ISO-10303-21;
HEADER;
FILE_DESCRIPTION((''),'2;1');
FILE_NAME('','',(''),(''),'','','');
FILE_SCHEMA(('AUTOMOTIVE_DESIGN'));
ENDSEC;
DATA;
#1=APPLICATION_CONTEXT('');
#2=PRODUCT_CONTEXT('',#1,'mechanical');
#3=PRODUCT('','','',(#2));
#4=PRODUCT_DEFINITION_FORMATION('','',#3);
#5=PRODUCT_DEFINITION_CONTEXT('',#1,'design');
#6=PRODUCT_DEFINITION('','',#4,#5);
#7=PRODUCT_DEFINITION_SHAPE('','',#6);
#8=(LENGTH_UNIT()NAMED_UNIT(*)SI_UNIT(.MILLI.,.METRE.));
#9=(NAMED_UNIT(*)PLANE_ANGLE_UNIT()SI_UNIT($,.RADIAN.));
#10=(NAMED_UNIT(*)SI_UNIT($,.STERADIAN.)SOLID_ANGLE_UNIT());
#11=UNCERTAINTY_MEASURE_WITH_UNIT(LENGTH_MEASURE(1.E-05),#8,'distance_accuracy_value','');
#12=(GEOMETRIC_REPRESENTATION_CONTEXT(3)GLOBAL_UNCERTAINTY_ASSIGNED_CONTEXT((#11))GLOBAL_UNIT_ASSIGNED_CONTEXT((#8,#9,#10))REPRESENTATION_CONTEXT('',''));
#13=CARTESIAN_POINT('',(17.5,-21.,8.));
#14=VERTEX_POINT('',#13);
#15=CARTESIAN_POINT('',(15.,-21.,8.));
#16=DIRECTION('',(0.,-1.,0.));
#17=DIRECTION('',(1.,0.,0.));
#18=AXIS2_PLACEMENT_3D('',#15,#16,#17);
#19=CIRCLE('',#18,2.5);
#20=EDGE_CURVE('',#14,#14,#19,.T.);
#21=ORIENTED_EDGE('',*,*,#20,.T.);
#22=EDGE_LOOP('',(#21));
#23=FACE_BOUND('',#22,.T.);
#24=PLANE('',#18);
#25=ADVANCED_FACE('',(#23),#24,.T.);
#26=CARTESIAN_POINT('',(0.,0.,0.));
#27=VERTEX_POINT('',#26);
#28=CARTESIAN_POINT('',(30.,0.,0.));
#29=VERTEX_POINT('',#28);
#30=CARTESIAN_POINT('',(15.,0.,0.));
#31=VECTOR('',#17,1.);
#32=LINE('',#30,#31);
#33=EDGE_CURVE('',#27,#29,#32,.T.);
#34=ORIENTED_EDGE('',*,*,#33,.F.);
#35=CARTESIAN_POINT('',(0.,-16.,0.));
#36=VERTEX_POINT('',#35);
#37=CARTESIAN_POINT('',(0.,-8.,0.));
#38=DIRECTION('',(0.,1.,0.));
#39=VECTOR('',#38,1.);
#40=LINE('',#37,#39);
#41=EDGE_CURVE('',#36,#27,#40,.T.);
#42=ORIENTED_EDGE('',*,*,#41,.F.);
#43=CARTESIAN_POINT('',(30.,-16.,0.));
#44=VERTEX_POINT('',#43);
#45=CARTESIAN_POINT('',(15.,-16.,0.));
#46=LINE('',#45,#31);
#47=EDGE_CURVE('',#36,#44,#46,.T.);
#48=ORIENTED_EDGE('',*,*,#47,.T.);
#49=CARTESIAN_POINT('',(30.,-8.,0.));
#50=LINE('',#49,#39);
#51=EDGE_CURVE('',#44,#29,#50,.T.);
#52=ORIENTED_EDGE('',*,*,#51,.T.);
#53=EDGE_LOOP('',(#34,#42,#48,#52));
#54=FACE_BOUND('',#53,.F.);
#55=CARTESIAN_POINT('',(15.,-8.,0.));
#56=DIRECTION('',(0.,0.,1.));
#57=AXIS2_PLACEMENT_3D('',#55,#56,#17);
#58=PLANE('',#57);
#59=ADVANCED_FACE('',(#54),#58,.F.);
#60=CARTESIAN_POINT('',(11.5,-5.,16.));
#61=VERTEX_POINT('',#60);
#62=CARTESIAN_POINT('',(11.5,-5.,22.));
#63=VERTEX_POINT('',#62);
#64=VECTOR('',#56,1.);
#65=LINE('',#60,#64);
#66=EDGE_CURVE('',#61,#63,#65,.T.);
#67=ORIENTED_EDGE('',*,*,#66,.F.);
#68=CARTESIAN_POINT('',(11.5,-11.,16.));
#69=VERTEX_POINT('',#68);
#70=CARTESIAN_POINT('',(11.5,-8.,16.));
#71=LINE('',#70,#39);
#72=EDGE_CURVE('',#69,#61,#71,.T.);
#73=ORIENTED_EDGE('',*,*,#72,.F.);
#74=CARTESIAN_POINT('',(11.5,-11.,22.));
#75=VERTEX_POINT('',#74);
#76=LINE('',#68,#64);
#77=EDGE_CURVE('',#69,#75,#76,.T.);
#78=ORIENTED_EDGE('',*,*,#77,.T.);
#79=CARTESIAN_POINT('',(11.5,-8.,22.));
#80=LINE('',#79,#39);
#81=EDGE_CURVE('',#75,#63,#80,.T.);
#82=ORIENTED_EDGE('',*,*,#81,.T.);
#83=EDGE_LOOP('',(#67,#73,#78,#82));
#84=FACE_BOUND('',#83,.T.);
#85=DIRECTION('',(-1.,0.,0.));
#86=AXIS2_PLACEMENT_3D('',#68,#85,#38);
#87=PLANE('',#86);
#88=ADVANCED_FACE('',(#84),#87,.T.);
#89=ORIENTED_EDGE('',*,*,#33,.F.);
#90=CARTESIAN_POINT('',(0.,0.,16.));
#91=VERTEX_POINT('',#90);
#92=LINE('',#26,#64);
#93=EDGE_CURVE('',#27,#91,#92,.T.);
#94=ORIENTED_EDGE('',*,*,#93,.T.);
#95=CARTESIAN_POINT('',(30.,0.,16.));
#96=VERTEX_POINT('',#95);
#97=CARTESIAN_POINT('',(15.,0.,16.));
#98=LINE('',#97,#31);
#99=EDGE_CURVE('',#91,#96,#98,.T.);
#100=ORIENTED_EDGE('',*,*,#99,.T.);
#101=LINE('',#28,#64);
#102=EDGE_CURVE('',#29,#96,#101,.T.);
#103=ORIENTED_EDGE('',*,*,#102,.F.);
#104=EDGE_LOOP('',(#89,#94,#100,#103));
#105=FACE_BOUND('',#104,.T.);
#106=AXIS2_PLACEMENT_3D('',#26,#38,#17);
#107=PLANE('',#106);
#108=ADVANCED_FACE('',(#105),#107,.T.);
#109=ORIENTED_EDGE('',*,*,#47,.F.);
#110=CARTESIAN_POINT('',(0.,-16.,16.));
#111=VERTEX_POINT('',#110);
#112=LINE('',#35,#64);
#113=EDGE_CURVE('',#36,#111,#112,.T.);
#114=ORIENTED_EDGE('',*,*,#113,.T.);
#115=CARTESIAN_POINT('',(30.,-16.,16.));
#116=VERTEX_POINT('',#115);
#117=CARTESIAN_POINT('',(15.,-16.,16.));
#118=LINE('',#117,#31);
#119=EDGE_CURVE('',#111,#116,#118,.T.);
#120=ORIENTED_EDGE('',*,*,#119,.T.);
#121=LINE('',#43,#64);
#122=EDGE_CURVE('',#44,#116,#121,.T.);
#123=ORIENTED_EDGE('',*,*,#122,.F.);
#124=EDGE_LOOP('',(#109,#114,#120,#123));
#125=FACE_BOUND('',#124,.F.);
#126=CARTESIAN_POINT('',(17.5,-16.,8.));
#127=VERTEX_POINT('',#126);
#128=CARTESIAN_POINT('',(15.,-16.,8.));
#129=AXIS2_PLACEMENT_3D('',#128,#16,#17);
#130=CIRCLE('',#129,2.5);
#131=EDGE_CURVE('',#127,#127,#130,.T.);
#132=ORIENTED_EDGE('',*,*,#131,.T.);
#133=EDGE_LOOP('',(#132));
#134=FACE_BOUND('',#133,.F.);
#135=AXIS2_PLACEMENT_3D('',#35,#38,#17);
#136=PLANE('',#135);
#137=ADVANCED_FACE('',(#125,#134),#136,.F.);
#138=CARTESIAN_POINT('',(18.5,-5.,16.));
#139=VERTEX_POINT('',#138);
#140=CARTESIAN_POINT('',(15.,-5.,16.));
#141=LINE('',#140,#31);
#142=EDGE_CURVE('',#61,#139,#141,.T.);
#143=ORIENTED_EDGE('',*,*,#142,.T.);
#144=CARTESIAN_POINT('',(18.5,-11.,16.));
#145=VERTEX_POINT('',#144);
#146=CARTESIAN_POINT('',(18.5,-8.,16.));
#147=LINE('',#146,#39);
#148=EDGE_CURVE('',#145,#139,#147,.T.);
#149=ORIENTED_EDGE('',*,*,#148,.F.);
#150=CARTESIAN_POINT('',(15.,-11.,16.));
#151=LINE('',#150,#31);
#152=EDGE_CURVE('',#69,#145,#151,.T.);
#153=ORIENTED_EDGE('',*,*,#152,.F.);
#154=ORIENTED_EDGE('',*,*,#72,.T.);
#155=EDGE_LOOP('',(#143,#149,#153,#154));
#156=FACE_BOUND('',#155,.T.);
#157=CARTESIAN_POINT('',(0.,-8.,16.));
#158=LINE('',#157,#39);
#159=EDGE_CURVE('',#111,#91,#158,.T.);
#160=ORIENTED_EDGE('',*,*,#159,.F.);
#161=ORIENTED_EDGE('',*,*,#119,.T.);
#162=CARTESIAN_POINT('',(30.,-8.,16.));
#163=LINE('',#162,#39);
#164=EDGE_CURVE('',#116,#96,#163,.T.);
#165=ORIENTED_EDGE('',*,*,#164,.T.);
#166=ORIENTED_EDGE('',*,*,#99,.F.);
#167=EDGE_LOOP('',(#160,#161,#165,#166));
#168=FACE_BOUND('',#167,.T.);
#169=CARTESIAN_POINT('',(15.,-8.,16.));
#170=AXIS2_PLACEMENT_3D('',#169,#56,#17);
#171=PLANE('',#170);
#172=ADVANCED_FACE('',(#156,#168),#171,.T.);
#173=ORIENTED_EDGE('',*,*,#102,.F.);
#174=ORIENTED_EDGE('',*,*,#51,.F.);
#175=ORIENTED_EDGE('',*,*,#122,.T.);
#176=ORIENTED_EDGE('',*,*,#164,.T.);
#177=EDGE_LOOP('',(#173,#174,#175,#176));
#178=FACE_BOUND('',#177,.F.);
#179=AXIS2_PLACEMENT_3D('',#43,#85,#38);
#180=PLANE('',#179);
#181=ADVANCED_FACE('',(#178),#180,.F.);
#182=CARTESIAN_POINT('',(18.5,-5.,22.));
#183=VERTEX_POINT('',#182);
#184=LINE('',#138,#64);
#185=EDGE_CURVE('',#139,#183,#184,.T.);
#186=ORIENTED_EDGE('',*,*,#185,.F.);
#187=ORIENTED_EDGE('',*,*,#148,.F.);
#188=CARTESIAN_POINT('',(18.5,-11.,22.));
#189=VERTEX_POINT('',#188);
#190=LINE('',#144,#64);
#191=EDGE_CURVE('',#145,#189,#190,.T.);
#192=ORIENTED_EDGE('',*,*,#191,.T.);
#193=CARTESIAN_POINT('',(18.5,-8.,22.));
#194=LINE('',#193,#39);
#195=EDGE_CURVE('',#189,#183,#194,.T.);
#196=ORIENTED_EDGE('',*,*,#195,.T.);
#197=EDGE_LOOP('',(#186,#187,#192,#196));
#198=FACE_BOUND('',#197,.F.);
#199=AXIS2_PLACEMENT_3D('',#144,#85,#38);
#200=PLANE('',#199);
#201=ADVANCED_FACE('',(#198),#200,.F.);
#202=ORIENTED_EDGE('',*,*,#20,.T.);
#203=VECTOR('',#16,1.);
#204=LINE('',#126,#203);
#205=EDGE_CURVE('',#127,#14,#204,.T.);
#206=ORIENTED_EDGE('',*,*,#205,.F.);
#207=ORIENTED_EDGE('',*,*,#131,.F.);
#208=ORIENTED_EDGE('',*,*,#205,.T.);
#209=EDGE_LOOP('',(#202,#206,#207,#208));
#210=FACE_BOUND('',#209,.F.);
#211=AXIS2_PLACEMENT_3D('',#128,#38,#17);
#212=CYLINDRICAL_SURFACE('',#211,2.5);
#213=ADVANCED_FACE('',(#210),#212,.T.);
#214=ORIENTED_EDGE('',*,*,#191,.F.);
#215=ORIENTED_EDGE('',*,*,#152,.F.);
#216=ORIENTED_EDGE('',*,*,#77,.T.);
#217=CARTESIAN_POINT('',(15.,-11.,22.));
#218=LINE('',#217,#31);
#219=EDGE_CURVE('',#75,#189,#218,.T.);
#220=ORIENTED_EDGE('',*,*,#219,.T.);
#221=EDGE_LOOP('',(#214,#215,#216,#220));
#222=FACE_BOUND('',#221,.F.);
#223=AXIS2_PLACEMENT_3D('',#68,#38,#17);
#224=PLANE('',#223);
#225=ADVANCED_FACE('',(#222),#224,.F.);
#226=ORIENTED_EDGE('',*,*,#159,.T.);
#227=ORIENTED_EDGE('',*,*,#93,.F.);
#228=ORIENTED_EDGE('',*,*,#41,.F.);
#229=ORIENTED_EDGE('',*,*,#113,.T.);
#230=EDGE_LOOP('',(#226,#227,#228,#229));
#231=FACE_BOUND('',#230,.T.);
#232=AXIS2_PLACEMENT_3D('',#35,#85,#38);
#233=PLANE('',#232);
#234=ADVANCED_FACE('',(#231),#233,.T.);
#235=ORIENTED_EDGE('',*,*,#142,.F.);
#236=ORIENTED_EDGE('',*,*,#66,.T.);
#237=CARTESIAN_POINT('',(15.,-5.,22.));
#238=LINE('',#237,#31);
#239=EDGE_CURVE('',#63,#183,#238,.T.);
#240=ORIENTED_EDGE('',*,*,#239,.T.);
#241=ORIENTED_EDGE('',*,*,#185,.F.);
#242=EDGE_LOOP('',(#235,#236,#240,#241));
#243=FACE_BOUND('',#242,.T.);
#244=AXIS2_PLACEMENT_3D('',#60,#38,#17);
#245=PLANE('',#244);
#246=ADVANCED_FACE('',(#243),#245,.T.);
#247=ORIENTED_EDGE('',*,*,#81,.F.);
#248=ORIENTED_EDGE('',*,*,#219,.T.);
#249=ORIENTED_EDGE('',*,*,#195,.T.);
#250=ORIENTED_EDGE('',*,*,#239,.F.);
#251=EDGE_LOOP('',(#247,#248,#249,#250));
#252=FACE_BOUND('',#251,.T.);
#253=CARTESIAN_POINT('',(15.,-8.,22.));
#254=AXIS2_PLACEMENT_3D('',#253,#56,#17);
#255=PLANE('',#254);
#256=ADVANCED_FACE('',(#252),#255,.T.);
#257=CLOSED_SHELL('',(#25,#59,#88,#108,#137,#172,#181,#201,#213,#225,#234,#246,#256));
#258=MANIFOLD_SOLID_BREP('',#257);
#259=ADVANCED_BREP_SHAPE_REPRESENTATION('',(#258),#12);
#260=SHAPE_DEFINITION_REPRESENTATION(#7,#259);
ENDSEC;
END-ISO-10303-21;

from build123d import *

# Parameters (mm, degrees)
F0_W     = 30
F0_H     = 16
F1_DEPTH = 16
F2_W     = 7
F2_H     = 6
F3_DEPTH = 6
F4_R     = 2.5
F5_DEPTH = 5


with BuildPart() as f1:
    # F0 (on Top) → F1 (new body)
    with BuildSketch(Plane.XY):
        with Locations((15, -8)):
            Rectangle(F0_W, F0_H)
    extrude(amount=F1_DEPTH)

    # F2 (on face) → F3 (join)
    with BuildSketch(Plane.XY.offset(16)):
        with Locations((15, -8)):
            Rectangle(F2_W, F2_H)
    extrude(amount=F3_DEPTH)

    # F4 (on face) → F5 (join)
    with BuildSketch(Plane.XZ.offset(16)):
        with Locations((15, 8)):
            Circle(F4_R)
    extrude(amount=F5_DEPTH)


solid = f1.part
